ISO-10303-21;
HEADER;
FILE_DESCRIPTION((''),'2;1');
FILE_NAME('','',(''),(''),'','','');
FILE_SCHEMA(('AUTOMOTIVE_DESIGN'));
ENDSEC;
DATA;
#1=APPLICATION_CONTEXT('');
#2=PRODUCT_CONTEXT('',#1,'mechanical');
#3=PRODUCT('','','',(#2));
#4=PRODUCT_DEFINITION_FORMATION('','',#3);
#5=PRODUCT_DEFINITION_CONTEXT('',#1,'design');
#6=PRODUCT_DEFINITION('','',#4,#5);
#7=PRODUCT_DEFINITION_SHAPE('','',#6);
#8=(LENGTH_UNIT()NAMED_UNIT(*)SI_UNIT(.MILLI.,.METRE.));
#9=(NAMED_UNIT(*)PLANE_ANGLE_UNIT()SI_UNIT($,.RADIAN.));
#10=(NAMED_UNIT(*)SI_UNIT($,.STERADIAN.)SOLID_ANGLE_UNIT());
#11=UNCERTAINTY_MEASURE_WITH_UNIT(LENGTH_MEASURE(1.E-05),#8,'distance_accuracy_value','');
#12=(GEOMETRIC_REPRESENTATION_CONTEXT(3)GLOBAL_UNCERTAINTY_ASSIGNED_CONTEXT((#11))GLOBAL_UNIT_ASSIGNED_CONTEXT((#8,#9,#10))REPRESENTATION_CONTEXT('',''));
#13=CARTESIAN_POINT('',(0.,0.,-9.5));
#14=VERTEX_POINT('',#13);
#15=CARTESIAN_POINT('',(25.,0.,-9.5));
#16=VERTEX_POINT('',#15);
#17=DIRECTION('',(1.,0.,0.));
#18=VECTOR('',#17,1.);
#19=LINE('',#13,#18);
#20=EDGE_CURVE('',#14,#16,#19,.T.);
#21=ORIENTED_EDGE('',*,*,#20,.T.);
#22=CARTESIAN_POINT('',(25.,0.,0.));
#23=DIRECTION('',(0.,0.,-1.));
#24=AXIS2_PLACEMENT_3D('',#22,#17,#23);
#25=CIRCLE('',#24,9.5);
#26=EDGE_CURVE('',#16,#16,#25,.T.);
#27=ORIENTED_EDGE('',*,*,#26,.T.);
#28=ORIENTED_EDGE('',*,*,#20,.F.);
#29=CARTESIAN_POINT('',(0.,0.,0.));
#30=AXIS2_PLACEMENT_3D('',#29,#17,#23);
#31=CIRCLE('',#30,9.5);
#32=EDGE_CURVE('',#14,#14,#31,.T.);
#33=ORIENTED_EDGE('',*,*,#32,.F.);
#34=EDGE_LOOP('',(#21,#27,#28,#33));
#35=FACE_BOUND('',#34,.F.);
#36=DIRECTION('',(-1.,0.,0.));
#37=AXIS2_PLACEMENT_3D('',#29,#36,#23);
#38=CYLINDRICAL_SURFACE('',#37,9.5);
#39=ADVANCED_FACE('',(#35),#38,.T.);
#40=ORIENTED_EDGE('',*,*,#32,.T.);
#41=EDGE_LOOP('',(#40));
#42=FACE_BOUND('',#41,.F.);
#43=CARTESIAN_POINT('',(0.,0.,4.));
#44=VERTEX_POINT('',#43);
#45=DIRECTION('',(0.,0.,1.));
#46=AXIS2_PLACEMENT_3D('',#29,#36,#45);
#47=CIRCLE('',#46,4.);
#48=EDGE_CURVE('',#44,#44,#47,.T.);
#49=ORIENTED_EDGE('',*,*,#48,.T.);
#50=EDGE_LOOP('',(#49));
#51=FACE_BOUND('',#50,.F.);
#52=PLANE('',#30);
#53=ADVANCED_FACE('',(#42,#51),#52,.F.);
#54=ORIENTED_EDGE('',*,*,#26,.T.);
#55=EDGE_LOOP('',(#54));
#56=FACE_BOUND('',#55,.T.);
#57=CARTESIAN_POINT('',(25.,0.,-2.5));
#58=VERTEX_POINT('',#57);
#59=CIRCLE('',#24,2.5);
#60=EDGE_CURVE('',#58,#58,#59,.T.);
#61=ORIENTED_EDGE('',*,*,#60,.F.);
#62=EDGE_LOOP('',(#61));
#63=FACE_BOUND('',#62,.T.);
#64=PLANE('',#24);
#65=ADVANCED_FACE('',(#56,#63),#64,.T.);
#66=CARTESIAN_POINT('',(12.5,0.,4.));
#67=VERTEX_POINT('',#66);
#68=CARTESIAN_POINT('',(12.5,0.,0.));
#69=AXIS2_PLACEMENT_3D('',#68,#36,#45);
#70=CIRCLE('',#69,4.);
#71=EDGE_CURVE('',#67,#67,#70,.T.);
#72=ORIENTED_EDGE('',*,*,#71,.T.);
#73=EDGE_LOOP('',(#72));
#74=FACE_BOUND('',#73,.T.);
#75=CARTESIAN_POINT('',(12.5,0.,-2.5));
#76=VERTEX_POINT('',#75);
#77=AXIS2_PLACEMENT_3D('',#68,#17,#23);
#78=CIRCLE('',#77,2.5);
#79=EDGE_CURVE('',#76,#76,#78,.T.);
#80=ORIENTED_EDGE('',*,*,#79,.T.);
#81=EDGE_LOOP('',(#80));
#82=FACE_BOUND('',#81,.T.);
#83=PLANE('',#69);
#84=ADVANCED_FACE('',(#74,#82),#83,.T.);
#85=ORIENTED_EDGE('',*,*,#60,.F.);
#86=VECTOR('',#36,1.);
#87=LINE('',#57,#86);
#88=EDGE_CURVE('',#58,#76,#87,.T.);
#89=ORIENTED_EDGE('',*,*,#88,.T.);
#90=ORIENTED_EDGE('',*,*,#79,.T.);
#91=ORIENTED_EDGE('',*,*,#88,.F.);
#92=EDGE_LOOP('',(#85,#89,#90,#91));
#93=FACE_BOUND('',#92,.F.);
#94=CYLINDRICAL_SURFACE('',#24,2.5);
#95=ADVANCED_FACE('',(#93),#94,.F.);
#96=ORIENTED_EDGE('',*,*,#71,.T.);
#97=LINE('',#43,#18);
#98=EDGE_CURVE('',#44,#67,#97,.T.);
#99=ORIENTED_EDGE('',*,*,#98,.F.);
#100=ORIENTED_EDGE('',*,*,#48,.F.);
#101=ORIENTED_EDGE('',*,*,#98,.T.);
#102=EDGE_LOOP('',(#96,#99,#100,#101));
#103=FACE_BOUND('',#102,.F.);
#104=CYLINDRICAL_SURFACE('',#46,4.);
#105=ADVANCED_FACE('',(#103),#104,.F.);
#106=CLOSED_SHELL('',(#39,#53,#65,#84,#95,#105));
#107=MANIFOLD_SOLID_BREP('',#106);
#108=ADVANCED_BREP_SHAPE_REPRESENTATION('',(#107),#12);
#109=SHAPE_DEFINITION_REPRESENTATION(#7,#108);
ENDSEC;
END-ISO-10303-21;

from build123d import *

# Parameters (mm, degrees)
SKETCH1_R           = 9.5
BOSS_EXTRUDE1_DEPTH = 25
SKETCH2_R           = 2.5
CUT_EXTRUDE1_DEPTH  = 12.5
SKETCH3_R           = 4
CUT_EXTRUDE2_DEPTH  = 12.5


with BuildPart() as part:
    # Sketch1 → Boss-Extrude1 (new body)
    with BuildSketch(Plane(origin=(0, 0, 0), x_dir=(0, 0, -1), z_dir=(1, 0, 0))):
        Circle(SKETCH1_R)
    extrude(amount=BOSS_EXTRUDE1_DEPTH)

    # Sketch2 → Cut-Extrude1 (cut)
    with BuildSketch(Plane(origin=(25, 0, 0), x_dir=(0, 0, -1), z_dir=(1, 0, 0))):
        Circle(SKETCH2_R)
    extrude(amount=-CUT_EXTRUDE1_DEPTH, mode=Mode.SUBTRACT)

    # Sketch3 → Cut-Extrude2 (cut)
    with BuildSketch(Plane.ZY):
        Circle(SKETCH3_R)
    extrude(amount=-CUT_EXTRUDE2_DEPTH, mode=Mode.SUBTRACT)


solid = part.part
